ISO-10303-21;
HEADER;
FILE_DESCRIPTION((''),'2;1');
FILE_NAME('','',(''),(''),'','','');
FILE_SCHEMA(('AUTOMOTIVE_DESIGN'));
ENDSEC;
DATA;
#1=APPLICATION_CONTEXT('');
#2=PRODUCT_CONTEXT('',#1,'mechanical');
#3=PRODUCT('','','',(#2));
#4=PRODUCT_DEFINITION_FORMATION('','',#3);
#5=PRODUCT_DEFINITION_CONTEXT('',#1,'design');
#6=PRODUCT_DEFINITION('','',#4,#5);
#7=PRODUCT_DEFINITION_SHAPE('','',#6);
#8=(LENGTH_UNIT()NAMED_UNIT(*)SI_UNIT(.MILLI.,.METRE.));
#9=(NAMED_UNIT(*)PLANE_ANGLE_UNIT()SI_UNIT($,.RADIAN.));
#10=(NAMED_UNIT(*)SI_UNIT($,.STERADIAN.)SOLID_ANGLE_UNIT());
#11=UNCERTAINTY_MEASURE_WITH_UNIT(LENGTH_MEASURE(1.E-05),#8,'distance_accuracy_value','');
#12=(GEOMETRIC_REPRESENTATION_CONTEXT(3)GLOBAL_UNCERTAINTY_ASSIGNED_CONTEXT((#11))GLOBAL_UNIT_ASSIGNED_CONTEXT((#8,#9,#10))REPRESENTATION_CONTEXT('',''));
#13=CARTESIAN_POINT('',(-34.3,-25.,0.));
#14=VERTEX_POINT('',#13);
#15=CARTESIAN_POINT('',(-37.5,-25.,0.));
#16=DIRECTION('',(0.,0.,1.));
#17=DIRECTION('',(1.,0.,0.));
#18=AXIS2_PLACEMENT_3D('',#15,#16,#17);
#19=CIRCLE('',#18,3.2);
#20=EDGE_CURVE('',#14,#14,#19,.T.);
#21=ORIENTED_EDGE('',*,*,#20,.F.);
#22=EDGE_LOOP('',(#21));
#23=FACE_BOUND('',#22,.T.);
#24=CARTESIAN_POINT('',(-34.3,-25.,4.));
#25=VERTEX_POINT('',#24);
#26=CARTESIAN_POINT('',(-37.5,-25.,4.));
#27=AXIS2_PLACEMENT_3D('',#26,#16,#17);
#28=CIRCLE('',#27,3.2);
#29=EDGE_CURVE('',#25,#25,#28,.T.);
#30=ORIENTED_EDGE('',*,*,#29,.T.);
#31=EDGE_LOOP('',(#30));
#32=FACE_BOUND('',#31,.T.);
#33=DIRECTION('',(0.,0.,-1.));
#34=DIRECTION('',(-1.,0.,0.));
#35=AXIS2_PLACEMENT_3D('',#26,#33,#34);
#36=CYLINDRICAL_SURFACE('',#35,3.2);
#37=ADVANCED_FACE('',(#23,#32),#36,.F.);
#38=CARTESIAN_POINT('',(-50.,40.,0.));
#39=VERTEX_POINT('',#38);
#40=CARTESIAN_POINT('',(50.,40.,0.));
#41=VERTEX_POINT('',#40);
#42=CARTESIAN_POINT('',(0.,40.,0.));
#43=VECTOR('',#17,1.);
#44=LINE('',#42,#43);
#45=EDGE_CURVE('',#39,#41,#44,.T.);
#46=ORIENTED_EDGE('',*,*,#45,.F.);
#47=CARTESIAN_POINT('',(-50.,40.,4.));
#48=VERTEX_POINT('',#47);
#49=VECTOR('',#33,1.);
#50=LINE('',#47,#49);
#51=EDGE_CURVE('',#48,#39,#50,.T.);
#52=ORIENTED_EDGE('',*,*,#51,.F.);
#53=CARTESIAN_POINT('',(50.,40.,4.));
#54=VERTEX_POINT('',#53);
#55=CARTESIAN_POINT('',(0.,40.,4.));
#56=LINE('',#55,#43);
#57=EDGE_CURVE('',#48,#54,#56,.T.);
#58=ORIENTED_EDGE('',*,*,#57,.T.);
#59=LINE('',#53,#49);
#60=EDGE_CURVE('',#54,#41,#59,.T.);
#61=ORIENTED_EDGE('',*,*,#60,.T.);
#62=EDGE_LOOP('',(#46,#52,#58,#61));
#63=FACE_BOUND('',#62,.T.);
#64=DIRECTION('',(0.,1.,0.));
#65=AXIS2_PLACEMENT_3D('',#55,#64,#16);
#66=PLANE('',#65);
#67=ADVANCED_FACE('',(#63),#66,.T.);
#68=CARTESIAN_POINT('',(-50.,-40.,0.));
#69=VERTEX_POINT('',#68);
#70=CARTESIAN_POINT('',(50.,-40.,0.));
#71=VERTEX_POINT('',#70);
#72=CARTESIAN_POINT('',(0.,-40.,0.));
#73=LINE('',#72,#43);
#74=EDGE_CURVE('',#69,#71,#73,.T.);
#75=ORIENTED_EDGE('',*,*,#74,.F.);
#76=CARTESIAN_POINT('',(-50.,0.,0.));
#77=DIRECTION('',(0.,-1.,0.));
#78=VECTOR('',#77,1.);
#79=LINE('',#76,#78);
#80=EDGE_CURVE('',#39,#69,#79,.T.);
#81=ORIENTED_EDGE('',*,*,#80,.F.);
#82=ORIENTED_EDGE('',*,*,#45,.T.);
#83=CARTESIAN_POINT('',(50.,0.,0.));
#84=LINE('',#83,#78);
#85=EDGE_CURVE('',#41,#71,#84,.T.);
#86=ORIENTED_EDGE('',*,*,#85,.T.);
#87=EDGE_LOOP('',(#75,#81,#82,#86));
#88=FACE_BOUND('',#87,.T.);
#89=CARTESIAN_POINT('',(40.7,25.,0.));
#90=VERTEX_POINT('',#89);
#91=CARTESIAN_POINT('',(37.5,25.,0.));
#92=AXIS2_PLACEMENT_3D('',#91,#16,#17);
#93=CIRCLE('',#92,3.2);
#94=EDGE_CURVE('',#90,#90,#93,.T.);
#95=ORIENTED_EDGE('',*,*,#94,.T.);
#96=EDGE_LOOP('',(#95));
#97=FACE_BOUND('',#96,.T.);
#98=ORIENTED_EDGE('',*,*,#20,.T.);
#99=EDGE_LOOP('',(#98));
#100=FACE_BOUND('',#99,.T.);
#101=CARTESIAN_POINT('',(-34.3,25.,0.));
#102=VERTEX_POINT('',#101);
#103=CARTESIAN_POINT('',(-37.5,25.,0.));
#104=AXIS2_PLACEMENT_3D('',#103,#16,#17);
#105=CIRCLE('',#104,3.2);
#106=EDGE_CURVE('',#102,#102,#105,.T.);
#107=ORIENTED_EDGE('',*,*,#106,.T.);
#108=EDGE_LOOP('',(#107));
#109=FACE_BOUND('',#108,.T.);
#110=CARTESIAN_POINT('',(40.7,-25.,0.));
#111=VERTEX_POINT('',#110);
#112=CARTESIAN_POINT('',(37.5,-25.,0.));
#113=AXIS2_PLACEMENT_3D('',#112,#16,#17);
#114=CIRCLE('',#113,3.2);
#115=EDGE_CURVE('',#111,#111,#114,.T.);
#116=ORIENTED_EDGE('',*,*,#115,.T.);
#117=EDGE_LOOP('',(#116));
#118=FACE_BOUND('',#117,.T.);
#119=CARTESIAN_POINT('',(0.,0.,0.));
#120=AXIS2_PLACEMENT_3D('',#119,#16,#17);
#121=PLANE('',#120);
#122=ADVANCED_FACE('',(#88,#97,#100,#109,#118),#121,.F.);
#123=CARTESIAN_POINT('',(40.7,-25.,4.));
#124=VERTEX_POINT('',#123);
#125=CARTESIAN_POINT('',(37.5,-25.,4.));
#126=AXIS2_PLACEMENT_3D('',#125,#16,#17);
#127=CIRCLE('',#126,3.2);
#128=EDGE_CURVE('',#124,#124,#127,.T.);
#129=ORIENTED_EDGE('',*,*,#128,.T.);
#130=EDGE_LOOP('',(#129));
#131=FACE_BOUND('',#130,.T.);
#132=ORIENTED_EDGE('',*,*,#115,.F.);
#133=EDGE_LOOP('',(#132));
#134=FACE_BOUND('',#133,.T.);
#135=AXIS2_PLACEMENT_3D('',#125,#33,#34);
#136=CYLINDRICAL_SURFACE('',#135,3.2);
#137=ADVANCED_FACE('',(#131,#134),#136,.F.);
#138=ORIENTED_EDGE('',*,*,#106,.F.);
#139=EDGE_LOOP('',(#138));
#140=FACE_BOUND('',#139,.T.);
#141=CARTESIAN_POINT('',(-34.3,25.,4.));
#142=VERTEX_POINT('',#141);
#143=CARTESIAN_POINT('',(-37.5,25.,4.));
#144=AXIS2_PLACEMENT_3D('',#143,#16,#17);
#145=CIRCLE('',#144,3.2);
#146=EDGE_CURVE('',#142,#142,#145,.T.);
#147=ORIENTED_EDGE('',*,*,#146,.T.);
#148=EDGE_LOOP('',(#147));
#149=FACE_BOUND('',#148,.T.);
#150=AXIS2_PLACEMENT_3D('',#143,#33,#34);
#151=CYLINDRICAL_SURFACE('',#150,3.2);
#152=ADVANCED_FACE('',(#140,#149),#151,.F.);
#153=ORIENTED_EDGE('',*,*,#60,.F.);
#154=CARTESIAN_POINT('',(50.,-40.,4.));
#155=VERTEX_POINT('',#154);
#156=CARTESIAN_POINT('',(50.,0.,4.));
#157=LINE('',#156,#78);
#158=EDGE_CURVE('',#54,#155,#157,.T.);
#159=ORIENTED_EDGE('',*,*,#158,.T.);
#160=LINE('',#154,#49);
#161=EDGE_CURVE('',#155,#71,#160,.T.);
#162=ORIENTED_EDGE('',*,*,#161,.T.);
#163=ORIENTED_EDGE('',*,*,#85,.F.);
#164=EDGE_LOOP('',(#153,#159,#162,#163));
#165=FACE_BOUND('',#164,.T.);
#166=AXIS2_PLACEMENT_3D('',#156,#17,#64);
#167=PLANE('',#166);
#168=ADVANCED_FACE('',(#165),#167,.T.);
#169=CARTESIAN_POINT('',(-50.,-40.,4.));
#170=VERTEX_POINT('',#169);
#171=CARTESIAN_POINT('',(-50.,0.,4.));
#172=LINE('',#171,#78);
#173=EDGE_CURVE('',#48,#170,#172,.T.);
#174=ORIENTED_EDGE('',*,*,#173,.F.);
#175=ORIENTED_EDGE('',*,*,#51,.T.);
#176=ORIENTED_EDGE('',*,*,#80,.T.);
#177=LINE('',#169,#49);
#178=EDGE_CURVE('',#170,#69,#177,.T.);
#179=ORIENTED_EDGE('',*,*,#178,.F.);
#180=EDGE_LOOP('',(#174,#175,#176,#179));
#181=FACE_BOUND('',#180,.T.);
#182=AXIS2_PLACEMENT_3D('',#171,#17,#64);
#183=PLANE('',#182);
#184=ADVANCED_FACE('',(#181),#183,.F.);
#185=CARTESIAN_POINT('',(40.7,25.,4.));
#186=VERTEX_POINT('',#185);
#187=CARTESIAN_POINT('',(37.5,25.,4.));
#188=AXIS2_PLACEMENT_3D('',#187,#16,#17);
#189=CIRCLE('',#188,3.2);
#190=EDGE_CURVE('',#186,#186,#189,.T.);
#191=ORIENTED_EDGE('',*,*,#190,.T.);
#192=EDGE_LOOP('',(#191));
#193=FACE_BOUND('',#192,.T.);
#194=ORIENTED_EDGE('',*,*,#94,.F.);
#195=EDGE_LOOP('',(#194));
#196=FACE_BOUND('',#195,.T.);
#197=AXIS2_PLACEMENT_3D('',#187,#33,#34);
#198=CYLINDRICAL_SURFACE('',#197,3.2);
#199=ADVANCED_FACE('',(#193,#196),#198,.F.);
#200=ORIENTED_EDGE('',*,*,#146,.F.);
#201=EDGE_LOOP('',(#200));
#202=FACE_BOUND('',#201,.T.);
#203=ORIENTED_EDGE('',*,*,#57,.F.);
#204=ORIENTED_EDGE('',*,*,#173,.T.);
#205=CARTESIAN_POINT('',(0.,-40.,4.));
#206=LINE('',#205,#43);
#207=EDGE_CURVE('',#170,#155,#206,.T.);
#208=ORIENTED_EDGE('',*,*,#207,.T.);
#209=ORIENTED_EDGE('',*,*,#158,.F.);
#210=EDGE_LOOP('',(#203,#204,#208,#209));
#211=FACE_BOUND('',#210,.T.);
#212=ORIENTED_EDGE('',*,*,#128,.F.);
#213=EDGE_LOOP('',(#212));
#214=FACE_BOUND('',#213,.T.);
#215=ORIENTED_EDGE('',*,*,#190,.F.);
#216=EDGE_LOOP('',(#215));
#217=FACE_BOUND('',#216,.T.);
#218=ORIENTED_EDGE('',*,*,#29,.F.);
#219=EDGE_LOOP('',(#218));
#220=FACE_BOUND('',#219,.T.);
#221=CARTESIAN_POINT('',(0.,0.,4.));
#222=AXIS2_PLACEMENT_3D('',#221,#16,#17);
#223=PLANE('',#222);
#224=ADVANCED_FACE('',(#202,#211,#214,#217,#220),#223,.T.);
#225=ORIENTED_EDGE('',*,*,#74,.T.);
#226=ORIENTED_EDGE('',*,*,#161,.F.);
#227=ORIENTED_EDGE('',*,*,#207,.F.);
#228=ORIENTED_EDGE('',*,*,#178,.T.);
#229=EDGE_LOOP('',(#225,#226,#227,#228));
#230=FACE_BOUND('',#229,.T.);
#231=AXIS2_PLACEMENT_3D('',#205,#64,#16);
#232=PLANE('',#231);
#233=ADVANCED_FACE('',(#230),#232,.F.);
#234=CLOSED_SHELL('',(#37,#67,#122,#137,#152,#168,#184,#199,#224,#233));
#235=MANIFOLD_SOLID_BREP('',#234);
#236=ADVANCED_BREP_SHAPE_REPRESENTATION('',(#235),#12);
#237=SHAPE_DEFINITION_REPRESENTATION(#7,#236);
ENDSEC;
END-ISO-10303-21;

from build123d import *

# Parameters (mm, degrees)
SCHIZZO1_W                   = 100
SCHIZZO1_H                   = 80
SCHIZZO1_R                   = 3.2
ESTRUSIONE_ESTRUSIONE1_DEPTH = 4


with BuildPart() as part:
    # Schizzo1 → Estrusione-Estrusione1 (new body)
    with BuildSketch(Plane.XY):
        Rectangle(SCHIZZO1_W, SCHIZZO1_H)
        with Locations((-37.5, 25)):
            Circle(SCHIZZO1_R, mode=Mode.SUBTRACT)
        with Locations((37.5, 25)):
            Circle(SCHIZZO1_R, mode=Mode.SUBTRACT)
        with Locations((37.5, -25)):
            Circle(SCHIZZO1_R, mode=Mode.SUBTRACT)
        with Locations((-37.5, -25)):
            Circle(SCHIZZO1_R, mode=Mode.SUBTRACT)
    extrude(amount=ESTRUSIONE_ESTRUSIONE1_DEPTH)


solid = part.part
